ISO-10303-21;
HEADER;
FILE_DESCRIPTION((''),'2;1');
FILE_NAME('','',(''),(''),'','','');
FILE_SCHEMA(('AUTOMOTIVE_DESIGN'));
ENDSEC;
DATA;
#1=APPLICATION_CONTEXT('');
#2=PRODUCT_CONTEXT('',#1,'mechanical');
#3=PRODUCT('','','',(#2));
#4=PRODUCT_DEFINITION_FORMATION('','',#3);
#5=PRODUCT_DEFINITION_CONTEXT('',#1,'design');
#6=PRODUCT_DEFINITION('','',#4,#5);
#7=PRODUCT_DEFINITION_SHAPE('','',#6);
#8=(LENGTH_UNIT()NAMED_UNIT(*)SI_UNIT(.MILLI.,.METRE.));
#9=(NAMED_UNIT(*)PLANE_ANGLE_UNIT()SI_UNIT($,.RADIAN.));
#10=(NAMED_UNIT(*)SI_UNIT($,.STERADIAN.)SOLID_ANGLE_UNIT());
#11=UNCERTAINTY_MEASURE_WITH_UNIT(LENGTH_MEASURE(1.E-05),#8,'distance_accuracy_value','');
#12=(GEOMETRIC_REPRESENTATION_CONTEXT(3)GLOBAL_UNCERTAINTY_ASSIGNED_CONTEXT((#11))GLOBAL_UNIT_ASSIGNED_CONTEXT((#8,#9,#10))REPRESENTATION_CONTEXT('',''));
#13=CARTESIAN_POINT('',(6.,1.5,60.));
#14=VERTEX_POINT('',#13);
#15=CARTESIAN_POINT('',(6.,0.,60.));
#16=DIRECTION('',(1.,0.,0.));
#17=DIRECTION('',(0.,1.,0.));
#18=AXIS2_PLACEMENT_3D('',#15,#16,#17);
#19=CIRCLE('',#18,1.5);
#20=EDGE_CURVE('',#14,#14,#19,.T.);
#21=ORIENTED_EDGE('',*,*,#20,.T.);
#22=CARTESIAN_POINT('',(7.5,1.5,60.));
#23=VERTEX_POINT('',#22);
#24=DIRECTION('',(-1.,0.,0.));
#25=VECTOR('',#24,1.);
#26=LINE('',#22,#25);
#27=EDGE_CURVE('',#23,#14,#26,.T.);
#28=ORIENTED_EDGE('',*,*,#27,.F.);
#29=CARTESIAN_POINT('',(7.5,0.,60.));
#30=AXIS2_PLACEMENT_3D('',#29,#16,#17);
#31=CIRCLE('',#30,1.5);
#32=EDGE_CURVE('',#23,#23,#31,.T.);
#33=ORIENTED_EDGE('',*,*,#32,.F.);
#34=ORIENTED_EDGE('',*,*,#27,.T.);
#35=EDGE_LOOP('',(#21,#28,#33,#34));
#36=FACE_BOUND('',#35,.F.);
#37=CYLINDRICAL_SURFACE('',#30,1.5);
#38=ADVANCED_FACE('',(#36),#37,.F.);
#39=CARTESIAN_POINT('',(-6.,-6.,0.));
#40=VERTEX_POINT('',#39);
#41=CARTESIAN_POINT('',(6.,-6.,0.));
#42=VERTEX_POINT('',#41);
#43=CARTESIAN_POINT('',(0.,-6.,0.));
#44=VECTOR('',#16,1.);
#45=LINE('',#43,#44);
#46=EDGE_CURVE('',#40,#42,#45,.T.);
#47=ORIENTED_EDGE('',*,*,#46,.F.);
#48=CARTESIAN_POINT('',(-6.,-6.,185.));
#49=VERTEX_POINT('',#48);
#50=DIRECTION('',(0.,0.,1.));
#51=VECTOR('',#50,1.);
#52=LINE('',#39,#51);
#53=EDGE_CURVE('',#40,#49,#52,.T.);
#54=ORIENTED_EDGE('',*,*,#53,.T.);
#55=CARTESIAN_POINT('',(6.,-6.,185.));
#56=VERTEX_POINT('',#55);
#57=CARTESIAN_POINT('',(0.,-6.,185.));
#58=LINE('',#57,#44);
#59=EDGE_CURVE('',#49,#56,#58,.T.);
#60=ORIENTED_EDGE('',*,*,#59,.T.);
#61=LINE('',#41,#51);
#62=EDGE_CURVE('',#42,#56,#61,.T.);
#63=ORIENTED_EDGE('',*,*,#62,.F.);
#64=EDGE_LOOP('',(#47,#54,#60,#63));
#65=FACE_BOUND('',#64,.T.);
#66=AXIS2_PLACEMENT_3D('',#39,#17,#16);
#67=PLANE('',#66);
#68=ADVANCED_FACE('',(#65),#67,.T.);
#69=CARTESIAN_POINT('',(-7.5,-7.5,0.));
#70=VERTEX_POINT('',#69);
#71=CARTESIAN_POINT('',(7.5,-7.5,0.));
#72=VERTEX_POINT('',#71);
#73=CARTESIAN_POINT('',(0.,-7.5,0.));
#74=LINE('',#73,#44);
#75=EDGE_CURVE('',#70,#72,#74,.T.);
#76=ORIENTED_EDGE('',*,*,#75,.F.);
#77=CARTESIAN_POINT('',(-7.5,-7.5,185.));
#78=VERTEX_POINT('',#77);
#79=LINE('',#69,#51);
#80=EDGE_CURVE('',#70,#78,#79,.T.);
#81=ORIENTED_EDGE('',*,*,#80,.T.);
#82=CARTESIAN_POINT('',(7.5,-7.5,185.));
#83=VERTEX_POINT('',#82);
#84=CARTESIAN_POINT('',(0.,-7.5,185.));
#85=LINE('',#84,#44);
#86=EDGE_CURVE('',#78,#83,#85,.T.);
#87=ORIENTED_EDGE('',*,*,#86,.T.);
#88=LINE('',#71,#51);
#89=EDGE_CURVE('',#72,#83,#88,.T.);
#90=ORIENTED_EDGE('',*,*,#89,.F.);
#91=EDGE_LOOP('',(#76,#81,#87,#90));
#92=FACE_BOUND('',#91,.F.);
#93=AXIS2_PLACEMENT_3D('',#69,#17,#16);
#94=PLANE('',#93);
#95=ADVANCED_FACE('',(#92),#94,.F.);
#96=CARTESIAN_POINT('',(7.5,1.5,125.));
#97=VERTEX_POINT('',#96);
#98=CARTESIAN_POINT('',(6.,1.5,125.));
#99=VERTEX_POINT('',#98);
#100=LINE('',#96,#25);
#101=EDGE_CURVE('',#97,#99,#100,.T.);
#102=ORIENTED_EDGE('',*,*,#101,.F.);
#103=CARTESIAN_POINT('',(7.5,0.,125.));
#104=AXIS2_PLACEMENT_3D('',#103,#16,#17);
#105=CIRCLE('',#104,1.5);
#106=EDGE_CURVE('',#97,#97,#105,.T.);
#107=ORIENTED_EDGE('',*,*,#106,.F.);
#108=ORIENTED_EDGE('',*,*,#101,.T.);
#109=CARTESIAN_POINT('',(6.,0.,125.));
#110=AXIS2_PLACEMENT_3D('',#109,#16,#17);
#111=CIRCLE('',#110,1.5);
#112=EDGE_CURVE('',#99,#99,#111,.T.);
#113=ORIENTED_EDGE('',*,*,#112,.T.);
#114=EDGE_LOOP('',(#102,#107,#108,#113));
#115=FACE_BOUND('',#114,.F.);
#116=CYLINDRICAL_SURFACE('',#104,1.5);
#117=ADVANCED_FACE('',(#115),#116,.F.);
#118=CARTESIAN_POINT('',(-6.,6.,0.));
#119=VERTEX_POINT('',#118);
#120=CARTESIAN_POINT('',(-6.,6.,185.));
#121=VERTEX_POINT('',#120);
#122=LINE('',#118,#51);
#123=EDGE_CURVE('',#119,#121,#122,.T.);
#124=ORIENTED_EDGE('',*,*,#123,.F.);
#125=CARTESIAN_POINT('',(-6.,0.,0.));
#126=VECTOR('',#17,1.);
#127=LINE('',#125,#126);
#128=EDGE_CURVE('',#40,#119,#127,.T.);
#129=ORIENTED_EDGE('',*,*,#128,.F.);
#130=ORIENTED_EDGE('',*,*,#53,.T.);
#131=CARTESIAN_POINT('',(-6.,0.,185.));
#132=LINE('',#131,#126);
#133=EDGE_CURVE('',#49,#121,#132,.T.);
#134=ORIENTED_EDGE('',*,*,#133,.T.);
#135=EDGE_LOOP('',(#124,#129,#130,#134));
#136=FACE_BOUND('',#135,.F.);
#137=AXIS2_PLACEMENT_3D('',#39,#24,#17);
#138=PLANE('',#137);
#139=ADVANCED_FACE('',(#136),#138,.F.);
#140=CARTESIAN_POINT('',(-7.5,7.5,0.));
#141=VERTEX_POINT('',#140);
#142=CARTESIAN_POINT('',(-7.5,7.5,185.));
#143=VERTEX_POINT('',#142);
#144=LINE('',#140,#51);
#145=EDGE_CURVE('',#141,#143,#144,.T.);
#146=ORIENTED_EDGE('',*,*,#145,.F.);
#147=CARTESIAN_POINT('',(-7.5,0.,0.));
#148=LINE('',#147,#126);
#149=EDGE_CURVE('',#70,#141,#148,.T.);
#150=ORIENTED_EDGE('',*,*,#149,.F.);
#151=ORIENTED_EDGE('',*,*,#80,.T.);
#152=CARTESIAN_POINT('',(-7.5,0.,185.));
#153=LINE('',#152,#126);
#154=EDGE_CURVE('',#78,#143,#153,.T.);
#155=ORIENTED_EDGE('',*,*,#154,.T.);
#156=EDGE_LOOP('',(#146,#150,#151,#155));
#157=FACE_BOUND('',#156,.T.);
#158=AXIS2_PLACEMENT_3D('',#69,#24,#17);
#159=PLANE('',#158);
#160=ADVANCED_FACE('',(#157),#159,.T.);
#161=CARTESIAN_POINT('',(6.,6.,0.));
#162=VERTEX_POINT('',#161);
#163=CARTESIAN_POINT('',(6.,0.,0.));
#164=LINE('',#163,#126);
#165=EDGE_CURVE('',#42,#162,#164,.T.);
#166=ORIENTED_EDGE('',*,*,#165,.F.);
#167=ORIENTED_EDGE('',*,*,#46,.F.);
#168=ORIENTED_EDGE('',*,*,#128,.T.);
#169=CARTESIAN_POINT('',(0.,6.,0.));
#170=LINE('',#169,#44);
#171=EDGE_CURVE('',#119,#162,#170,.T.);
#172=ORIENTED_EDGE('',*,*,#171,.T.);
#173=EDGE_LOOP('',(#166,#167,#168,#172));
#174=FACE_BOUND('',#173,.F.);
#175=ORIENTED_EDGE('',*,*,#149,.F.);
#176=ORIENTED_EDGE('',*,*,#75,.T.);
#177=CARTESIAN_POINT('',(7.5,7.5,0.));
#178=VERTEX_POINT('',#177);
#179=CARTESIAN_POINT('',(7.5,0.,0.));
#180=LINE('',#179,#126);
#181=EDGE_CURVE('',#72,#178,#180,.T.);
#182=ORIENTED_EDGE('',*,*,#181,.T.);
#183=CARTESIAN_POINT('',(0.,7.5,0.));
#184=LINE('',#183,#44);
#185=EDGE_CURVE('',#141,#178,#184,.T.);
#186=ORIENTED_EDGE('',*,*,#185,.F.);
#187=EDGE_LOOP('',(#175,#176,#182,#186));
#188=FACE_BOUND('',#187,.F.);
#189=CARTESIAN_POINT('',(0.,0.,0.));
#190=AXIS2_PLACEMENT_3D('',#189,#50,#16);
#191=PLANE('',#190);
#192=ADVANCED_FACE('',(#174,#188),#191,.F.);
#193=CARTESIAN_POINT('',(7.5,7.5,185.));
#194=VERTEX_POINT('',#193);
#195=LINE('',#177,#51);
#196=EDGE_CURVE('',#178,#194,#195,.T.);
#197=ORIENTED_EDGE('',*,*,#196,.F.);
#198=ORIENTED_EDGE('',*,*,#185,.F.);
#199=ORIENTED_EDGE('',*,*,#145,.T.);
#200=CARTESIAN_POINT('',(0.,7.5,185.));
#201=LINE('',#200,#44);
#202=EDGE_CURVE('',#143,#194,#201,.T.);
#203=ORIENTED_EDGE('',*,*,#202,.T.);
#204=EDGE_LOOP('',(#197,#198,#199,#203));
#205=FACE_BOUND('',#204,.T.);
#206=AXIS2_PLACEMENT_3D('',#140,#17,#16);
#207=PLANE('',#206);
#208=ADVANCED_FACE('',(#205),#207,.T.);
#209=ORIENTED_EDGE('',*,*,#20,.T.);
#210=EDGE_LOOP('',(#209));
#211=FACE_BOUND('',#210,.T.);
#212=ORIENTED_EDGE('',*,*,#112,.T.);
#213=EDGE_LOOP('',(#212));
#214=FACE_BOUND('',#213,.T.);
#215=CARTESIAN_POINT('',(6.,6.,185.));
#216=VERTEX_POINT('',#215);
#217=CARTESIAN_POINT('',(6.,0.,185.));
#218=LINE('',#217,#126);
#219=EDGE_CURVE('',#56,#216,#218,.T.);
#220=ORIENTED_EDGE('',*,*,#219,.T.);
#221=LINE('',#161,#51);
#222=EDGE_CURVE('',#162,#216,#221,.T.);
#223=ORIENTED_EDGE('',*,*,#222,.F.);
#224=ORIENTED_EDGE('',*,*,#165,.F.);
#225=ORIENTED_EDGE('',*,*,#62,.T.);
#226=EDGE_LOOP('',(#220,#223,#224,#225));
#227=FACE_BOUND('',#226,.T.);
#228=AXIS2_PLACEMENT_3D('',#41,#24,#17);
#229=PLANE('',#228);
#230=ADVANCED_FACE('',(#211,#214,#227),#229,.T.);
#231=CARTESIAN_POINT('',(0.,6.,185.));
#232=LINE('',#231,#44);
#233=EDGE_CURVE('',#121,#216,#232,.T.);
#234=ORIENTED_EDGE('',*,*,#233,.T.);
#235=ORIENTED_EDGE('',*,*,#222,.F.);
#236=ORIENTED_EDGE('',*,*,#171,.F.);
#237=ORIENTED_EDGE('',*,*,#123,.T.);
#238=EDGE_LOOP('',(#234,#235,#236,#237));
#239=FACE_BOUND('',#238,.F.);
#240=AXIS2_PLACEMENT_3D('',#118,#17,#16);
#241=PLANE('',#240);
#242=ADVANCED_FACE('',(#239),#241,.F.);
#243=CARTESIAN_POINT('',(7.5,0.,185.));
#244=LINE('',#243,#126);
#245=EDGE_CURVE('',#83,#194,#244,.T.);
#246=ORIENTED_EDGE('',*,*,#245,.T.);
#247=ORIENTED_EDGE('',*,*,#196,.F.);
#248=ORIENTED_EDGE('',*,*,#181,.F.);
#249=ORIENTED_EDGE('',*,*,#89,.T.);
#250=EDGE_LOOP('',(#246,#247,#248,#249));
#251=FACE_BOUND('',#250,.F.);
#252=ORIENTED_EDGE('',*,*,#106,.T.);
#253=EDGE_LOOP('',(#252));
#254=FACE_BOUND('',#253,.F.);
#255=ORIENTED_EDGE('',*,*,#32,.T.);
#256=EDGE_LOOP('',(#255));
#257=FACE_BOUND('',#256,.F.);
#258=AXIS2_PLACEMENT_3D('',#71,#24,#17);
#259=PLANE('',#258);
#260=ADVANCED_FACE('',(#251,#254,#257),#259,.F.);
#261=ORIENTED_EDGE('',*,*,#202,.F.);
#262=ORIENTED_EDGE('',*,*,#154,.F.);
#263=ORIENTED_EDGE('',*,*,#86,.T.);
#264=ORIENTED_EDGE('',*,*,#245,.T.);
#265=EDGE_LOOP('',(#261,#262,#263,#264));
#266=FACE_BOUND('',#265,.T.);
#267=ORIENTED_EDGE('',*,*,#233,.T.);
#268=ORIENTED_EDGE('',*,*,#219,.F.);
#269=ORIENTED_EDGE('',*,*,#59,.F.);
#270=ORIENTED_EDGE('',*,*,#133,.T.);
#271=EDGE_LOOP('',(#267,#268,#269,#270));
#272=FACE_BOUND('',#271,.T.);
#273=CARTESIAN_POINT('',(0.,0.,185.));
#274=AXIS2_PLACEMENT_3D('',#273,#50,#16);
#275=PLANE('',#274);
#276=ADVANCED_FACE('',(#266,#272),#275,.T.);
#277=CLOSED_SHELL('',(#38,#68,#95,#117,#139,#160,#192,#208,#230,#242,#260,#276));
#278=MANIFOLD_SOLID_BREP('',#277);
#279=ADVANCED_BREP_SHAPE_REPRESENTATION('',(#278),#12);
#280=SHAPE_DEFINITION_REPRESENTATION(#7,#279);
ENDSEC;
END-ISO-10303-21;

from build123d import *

# Parameters (mm, degrees)
SKETCH_W     = 15
SKETCH_H     = 15
SKETCH_W_2   = 12
SKETCH_H_2   = 12
PAD_DEPTH    = 185
SKETCH001_R  = 1.5
POCKET_DEPTH = 5


with BuildPart() as part:
    # Sketch → Pad (new body)
    with BuildSketch(Plane.XY):
        Rectangle(SKETCH_W, SKETCH_H)
        Rectangle(SKETCH_W_2, SKETCH_H_2, mode=Mode.SUBTRACT)
    extrude(amount=PAD_DEPTH)

    # Sketch001 → Pocket (cut)
    with BuildSketch(Plane.YZ.offset(7.5)):
        with Locations((0, 60)):
            Circle(SKETCH001_R)
        with Locations((0, 125)):
            Circle(SKETCH001_R)
    extrude(amount=-POCKET_DEPTH, mode=Mode.SUBTRACT)


solid = part.part
